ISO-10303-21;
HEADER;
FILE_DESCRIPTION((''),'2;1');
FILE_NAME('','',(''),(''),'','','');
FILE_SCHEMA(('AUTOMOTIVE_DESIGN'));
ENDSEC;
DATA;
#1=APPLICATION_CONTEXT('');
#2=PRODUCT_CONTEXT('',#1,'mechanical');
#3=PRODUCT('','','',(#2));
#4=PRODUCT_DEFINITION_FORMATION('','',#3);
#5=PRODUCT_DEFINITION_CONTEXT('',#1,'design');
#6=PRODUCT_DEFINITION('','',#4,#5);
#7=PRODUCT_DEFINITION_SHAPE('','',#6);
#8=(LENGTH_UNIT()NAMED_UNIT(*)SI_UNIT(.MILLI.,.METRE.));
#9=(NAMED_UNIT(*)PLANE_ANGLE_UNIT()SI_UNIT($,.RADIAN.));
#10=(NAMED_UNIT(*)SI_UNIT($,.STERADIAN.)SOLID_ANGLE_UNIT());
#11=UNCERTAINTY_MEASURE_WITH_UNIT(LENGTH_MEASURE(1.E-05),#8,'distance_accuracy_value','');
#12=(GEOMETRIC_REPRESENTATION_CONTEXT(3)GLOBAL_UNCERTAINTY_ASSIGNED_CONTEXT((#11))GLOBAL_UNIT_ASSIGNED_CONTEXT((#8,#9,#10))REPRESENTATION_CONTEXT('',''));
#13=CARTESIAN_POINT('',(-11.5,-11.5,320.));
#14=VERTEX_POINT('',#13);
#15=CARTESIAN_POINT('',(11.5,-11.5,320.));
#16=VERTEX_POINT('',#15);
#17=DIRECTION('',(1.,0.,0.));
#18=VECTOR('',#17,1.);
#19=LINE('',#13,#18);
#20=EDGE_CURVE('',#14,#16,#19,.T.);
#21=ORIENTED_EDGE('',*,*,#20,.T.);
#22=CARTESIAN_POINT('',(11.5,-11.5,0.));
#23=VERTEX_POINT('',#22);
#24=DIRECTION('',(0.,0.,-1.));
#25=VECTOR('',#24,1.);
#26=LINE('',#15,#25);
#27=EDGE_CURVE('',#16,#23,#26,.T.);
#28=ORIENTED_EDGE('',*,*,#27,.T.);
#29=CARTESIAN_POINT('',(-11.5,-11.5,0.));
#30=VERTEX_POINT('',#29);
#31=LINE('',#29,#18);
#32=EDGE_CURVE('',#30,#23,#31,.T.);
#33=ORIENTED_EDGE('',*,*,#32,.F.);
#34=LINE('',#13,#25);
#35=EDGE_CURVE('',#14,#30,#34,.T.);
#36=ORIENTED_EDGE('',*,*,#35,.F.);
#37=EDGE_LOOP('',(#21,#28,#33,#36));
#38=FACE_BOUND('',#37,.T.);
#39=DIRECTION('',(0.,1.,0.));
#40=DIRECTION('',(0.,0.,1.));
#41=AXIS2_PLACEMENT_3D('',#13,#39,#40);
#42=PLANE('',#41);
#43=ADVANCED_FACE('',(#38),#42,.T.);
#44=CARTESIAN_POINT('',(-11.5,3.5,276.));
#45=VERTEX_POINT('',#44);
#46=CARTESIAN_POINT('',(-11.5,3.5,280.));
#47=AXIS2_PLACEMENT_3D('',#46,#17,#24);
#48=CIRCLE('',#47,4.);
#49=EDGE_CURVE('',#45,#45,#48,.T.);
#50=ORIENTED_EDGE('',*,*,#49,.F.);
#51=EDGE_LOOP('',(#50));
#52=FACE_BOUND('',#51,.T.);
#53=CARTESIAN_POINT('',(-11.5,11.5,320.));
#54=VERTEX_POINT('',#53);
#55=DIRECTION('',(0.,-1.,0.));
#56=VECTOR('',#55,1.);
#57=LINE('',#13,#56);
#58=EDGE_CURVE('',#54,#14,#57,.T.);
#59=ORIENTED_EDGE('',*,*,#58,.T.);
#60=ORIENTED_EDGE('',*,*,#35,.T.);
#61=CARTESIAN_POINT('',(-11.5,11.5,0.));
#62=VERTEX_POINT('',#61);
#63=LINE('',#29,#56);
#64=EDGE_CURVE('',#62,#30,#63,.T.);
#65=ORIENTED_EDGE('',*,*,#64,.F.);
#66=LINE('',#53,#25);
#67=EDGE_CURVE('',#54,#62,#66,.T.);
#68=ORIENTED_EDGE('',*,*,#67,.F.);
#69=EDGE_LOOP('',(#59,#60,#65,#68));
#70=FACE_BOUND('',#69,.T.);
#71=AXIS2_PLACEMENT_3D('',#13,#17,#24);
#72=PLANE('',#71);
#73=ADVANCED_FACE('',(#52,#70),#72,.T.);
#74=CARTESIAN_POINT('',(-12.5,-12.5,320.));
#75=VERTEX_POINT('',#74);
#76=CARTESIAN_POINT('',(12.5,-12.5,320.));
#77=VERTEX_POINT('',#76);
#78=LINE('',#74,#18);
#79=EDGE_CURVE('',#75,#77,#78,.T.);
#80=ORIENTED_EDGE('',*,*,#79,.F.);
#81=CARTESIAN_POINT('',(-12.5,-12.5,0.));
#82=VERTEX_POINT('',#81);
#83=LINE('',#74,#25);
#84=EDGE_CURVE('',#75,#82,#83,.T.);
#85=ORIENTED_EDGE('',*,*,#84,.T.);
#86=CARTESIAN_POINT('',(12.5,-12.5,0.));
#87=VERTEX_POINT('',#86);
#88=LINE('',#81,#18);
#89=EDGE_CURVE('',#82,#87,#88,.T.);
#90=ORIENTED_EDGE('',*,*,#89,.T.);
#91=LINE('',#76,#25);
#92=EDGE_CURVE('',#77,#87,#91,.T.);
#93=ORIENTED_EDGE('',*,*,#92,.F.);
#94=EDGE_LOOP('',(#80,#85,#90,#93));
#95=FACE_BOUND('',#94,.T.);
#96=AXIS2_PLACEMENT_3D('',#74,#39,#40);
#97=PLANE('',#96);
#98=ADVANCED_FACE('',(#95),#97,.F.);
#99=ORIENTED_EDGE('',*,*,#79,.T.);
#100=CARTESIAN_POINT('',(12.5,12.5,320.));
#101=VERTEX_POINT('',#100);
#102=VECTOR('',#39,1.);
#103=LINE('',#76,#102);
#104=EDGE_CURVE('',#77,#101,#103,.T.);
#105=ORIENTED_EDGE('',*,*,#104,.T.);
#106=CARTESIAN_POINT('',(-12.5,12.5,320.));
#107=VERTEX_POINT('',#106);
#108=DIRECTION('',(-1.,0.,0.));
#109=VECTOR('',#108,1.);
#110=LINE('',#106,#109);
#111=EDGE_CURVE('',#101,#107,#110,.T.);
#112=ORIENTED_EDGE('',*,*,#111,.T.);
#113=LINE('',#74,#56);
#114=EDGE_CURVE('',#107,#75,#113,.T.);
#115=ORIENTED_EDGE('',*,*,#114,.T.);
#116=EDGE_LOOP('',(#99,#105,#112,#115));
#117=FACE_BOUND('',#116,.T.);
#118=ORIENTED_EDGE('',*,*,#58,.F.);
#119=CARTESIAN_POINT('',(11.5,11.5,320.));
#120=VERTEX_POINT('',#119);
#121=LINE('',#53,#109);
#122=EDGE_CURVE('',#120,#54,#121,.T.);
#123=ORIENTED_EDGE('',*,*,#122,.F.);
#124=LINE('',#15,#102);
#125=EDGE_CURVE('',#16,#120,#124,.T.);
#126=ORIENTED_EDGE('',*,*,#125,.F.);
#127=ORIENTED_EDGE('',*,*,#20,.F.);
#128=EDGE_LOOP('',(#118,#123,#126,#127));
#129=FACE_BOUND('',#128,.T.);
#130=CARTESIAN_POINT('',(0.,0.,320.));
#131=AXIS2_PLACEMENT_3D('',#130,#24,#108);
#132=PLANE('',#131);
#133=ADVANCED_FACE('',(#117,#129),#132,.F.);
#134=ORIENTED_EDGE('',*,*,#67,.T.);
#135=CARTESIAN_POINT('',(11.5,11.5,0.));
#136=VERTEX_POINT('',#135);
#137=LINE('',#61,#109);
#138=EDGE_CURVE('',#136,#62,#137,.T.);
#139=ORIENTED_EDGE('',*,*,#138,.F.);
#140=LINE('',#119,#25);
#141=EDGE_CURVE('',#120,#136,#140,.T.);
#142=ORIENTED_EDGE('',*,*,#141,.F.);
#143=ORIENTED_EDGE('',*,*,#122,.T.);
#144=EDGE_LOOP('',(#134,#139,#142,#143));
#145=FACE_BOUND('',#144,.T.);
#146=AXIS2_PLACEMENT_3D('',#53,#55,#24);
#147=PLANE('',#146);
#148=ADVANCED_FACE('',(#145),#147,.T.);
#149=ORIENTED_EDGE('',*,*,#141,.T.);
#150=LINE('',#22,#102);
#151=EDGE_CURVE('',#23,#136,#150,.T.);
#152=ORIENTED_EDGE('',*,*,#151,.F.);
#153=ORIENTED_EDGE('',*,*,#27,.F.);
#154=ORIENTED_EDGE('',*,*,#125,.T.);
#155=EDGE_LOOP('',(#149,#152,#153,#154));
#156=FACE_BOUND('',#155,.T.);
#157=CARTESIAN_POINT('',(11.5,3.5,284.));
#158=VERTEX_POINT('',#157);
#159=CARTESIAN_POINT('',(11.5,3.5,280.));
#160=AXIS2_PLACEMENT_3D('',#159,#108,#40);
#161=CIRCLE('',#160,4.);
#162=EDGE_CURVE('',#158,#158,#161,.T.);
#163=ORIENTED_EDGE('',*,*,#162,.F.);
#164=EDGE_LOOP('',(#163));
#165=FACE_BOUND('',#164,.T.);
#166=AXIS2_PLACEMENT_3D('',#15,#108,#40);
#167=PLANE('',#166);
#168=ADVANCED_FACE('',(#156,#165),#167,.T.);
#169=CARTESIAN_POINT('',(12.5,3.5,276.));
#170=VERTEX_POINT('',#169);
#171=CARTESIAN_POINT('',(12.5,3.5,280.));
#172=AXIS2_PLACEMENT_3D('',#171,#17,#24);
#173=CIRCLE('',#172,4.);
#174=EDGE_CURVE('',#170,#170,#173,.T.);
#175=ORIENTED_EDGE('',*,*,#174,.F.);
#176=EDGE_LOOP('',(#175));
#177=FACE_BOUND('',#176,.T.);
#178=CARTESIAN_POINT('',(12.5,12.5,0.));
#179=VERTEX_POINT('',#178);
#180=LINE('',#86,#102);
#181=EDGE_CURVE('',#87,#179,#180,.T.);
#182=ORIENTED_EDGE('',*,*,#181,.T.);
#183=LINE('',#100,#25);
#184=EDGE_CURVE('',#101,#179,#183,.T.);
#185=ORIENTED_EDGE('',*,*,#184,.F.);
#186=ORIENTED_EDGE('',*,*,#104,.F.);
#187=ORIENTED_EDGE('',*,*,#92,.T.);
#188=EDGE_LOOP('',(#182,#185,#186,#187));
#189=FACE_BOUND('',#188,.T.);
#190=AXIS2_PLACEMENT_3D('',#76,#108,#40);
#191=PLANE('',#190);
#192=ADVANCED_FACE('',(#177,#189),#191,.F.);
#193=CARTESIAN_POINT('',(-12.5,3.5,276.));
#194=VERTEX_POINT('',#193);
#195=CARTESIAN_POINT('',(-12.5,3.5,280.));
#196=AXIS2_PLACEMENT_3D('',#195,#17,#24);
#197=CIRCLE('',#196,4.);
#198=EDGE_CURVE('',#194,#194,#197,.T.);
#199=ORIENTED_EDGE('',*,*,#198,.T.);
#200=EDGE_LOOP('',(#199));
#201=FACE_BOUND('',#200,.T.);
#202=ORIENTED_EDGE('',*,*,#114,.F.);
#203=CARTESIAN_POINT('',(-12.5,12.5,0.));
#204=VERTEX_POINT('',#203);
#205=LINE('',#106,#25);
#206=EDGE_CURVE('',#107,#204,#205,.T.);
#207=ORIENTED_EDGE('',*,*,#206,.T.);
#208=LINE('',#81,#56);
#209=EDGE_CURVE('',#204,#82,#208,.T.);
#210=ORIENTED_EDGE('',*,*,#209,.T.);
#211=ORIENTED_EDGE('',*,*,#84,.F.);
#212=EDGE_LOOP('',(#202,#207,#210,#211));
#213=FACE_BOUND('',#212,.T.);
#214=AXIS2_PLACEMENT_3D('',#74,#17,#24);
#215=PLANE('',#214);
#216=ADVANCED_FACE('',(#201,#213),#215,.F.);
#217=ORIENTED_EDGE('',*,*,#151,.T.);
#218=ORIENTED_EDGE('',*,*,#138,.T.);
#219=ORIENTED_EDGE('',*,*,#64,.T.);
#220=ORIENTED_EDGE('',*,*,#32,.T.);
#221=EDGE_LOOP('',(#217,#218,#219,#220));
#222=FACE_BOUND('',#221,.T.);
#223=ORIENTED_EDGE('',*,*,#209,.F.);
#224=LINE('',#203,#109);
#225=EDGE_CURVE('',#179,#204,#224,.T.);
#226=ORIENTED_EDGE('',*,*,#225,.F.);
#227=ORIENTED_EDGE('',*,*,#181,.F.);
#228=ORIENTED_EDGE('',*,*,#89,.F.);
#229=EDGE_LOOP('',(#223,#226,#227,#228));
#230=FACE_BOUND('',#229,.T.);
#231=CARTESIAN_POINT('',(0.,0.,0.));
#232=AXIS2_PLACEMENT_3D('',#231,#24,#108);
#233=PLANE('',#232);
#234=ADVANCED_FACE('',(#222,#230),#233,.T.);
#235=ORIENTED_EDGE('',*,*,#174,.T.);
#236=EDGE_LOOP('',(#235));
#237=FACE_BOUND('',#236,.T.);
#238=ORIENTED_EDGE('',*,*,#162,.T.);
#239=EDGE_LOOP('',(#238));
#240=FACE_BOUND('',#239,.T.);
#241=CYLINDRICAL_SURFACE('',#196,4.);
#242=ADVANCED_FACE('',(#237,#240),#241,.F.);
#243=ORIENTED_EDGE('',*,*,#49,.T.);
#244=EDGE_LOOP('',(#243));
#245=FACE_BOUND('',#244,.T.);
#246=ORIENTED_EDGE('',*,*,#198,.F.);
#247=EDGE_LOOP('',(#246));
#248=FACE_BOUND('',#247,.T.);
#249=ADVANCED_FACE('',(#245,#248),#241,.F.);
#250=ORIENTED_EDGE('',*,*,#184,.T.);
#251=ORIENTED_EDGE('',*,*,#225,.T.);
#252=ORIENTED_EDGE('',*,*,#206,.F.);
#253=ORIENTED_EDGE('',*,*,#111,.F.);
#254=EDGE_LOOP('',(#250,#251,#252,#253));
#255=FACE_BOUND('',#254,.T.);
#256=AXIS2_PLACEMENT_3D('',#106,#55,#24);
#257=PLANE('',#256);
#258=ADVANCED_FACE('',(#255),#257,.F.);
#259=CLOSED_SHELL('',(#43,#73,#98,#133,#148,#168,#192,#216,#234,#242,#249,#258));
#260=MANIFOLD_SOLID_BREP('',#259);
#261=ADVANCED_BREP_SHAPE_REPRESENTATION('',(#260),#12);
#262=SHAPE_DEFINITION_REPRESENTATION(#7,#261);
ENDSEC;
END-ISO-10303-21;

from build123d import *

# Parameters (mm, degrees)
SKETCH1_W           = 25
SKETCH1_H           = 25
SKETCH1_W_2         = 23
SKETCH1_H_2         = 23
BOSS_EXTRUDE1_DEPTH = 320
SKETCH2_R           = 4
CUT_EXTRUDE1_DEPTH  = 322.218383658


with BuildPart() as part:
    # Sketch1 → Boss-Extrude1 (new body)
    with BuildSketch(Plane.XY):
        Rectangle(SKETCH1_W, SKETCH1_H)
        Rectangle(SKETCH1_W_2, SKETCH1_H_2, mode=Mode.SUBTRACT)
    extrude(amount=BOSS_EXTRUDE1_DEPTH)

    # Sketch2 → Cut-Extrude1 (cut, through all)
    with BuildSketch(Plane(origin=(12.5, 0, 0), x_dir=(0, 0, -1), z_dir=(1, 0, 0))):
        with Locations((-280, 3.5)):
            Circle(SKETCH2_R)
    extrude(amount=-CUT_EXTRUDE1_DEPTH, mode=Mode.SUBTRACT)


solid = part.part
